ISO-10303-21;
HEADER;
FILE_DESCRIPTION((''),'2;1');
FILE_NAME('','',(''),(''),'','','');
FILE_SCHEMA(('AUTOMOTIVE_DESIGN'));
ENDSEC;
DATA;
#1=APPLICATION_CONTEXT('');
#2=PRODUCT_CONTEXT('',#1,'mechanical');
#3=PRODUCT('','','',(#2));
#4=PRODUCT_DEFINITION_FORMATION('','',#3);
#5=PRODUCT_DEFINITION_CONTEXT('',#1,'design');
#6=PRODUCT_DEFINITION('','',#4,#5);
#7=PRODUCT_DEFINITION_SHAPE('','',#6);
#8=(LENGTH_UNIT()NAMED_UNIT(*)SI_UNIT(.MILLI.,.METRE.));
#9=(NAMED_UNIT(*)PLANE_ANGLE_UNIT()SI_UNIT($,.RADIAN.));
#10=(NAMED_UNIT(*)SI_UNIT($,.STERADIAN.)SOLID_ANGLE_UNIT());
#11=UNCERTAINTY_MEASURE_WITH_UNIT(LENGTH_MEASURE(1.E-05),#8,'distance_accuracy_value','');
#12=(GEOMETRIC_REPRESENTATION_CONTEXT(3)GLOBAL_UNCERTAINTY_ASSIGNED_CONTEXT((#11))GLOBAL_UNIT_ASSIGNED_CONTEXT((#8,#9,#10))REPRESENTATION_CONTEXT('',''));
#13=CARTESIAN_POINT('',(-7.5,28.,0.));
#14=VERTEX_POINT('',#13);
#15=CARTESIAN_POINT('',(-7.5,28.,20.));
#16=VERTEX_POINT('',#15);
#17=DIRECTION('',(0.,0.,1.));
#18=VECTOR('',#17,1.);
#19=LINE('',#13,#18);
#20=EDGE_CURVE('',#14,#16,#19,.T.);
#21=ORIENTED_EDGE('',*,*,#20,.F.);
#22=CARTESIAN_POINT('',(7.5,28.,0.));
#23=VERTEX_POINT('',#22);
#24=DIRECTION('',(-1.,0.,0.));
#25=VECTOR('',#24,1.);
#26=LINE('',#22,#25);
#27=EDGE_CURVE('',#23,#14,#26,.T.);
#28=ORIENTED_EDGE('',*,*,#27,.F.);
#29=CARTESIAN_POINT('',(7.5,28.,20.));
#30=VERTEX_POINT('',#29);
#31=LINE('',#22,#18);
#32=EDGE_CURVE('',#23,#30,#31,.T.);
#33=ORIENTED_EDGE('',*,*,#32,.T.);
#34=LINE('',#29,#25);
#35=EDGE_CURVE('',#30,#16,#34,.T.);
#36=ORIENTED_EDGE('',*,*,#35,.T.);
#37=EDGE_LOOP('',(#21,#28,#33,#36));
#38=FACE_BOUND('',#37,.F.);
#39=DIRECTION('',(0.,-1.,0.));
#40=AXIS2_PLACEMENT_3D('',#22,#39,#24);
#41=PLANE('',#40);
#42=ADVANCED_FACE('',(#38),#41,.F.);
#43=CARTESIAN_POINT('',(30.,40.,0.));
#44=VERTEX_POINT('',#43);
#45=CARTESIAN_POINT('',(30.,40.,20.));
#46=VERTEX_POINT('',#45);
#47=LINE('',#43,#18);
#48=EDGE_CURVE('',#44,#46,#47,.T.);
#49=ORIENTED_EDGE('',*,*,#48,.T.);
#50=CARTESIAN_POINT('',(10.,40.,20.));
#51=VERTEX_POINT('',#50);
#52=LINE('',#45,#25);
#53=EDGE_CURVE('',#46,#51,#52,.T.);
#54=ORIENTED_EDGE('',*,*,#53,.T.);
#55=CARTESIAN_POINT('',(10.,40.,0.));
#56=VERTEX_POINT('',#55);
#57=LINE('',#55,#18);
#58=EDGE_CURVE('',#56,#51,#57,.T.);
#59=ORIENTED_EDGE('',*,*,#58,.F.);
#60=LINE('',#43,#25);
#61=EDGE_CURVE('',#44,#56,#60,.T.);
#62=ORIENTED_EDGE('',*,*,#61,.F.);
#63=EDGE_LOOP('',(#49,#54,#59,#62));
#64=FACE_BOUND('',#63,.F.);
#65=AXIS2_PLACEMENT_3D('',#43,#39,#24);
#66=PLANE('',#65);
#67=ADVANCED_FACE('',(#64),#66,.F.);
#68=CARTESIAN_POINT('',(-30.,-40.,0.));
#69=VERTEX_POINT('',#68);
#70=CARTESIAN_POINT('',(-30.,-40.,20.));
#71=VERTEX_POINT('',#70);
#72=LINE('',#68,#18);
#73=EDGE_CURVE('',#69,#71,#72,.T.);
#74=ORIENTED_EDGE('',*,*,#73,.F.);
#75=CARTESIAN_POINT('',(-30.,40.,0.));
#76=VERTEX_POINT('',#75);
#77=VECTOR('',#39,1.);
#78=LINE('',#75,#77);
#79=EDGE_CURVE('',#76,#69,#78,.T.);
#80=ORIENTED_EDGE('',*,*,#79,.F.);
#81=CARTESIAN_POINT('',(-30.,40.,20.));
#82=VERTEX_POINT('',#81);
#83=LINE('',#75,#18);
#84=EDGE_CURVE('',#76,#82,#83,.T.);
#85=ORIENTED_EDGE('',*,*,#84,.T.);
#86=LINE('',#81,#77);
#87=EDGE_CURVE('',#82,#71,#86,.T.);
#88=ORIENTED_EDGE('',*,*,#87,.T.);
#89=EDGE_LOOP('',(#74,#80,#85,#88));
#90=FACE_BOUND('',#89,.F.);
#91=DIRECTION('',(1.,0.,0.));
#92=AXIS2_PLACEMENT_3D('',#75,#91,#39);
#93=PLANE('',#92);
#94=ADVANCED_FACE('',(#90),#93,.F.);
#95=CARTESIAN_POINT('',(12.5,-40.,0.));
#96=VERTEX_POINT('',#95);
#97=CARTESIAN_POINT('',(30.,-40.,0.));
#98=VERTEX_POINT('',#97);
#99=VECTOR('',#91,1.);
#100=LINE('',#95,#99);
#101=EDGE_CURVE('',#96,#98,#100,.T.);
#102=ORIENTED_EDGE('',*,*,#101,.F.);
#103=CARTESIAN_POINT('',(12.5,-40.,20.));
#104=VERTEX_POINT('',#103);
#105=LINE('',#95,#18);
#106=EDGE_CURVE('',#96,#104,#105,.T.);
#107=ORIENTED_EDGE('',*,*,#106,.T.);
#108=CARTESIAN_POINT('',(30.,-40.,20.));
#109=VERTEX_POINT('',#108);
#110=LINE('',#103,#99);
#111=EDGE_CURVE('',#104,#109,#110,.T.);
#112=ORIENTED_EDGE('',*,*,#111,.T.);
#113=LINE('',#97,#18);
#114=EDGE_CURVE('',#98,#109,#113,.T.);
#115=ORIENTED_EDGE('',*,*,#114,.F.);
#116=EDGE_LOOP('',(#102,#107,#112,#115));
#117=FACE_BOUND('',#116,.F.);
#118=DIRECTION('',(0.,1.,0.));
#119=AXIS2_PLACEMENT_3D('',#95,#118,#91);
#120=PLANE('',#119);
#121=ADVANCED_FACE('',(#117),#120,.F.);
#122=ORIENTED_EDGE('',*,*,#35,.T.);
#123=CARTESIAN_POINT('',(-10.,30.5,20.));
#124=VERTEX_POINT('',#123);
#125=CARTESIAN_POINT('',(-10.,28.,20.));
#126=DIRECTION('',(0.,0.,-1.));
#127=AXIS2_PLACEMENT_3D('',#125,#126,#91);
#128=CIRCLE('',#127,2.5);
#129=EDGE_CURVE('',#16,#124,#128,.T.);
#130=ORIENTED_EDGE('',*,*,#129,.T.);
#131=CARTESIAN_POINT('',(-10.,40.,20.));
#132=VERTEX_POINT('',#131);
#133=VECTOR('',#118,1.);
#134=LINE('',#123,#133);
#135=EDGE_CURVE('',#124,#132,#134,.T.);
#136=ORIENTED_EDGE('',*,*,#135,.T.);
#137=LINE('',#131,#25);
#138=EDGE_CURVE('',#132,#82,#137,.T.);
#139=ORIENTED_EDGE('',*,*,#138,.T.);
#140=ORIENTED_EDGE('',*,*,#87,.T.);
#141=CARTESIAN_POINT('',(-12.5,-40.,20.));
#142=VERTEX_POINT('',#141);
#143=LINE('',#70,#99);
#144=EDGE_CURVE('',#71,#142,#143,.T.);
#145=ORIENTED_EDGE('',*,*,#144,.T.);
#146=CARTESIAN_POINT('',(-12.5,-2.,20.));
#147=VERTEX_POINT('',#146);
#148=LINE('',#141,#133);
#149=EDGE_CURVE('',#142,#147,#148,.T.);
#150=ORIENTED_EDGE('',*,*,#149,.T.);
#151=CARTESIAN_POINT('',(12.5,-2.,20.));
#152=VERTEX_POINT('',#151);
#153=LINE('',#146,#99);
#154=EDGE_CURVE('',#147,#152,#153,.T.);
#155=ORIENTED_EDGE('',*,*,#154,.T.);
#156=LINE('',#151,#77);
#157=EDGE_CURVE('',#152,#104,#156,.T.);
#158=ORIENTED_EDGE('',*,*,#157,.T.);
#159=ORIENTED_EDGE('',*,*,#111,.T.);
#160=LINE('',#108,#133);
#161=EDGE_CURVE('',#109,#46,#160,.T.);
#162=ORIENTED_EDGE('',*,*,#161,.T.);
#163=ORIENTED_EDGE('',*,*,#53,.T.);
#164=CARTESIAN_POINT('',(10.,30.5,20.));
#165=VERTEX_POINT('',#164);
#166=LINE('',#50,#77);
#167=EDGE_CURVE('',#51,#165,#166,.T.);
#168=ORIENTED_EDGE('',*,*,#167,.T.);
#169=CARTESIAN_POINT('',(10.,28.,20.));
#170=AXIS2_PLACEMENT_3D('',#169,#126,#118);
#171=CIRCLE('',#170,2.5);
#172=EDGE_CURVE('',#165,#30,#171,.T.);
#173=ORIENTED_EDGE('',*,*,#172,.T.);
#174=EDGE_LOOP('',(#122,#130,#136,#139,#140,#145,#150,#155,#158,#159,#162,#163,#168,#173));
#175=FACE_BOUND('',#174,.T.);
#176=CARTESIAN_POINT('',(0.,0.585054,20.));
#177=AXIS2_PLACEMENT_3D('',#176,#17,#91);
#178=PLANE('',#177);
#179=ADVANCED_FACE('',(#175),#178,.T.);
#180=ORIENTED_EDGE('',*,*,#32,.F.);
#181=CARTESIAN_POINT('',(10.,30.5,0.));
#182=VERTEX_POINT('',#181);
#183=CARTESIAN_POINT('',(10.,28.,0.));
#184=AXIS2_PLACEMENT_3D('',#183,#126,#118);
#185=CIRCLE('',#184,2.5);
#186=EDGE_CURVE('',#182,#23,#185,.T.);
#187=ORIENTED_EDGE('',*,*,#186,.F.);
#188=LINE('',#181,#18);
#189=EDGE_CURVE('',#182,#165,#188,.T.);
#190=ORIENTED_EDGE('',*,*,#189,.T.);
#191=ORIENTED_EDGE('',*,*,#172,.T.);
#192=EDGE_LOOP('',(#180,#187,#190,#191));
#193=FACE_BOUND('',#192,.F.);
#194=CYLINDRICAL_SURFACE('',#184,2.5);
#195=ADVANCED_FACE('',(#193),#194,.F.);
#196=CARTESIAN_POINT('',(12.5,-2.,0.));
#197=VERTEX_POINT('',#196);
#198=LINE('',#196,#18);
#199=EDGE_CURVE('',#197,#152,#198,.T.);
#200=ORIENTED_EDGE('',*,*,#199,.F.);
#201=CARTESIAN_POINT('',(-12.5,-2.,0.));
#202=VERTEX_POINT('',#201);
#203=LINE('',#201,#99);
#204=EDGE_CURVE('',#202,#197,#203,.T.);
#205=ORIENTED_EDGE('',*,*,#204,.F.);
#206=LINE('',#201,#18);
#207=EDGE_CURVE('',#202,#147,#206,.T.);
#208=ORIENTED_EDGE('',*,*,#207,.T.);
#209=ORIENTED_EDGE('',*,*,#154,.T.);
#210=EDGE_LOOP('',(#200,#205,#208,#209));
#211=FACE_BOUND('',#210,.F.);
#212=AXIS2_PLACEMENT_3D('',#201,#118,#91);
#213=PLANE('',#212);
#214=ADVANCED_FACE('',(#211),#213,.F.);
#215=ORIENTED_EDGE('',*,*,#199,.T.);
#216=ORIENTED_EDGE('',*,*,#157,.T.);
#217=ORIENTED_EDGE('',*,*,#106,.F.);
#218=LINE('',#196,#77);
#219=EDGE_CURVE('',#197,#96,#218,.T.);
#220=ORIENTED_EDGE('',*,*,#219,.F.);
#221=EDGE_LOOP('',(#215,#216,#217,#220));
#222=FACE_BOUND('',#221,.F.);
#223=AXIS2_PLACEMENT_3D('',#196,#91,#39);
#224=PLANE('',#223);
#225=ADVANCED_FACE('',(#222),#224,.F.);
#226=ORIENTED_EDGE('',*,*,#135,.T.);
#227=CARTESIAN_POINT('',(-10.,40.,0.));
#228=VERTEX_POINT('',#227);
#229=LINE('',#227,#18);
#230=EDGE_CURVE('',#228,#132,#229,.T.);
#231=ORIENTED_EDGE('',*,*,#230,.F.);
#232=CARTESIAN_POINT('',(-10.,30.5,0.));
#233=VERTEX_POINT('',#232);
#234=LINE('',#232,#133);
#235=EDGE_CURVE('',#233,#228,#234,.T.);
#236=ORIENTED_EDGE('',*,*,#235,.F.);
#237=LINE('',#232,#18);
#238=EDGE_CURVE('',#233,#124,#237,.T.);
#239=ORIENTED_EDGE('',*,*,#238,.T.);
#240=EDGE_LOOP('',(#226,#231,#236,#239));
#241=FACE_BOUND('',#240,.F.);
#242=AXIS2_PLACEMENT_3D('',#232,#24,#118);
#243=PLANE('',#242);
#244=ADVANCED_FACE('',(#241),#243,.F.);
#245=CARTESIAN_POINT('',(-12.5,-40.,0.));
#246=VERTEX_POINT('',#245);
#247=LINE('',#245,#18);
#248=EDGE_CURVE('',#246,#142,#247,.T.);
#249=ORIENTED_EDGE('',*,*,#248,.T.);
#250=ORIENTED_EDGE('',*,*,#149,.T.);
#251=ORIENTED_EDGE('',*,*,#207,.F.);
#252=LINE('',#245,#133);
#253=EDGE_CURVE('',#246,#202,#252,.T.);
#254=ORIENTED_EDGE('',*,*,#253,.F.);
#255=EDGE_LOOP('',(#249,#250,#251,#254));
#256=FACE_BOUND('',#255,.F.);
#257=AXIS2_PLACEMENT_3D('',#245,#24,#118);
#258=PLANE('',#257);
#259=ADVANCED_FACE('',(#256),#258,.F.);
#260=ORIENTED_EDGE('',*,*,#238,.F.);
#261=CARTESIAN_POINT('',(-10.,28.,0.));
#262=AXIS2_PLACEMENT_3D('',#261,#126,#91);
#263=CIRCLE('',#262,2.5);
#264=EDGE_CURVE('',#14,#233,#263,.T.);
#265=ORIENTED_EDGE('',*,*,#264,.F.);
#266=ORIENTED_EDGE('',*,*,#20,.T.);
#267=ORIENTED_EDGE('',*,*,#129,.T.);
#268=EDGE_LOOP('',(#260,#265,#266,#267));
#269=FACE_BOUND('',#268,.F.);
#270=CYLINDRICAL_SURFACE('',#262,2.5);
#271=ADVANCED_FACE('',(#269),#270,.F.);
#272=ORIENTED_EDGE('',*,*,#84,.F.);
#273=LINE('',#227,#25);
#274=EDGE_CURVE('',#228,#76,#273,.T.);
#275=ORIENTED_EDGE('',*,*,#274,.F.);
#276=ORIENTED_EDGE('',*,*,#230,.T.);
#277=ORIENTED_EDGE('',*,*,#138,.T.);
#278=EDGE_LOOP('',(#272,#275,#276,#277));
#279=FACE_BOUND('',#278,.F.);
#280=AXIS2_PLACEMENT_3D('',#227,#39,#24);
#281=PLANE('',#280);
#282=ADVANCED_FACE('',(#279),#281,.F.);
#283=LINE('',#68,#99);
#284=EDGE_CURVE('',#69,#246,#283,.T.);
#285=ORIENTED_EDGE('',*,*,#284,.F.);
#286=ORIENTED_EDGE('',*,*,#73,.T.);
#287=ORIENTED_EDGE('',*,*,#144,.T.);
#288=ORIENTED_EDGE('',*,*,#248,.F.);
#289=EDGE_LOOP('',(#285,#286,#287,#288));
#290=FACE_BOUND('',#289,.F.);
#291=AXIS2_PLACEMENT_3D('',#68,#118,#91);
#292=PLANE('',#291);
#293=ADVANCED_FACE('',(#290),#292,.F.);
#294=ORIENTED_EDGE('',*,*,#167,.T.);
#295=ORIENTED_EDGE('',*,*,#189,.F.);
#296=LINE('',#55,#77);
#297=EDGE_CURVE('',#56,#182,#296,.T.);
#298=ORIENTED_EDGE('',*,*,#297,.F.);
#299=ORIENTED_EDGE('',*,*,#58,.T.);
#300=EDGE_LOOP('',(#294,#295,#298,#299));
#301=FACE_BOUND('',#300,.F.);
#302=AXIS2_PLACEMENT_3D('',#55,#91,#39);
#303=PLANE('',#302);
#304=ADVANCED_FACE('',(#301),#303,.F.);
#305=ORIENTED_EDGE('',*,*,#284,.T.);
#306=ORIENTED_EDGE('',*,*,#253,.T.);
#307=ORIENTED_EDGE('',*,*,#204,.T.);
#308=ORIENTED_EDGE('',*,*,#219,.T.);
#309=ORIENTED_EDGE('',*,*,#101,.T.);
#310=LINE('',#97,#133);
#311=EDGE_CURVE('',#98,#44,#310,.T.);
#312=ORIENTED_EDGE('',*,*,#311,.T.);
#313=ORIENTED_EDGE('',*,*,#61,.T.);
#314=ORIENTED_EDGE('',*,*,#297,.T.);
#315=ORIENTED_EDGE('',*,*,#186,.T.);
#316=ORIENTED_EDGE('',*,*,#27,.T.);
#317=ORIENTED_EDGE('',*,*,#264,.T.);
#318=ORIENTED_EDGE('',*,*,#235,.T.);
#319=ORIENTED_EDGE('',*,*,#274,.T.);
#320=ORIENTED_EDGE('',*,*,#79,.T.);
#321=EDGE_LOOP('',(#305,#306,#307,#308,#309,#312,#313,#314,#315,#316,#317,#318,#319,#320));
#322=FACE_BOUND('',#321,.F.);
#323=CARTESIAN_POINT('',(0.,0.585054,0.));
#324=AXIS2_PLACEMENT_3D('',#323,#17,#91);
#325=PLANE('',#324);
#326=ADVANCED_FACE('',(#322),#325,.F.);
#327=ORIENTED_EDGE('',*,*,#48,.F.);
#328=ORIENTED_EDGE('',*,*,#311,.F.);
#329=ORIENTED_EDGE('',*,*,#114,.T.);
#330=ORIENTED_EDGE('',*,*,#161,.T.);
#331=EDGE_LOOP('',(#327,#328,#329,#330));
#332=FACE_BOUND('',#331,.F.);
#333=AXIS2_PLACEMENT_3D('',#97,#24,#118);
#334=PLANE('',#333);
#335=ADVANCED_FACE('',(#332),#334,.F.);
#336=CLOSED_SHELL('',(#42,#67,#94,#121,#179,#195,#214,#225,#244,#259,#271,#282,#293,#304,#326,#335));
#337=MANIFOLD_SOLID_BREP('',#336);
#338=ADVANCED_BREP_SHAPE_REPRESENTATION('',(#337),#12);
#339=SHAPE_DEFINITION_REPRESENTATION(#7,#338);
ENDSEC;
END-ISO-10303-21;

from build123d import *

# Parameters (mm, degrees)
F1_DEPTH = 20


with BuildPart() as f1:
    # F0 (on Top) → F1 (new body)
    with BuildSketch(Plane.XY):
        with BuildLine():
            Line((12.5, -40), (30, -40))
            Line((30, -40), (30, 40))
            Line((30, 40), (10, 40))
            Line((10, 40), (10, 30.5))
            ThreePointArc((10, 30.5), (11.767766953, 26.232233047), (7.5, 28))
            Line((7.5, 28), (-7.5, 28))
            ThreePointArc((-7.5, 28), (-11.767766953, 26.232233047), (-10, 30.5))
            Line((-10, 30.5), (-10, 40))
            Line((-10, 40), (-30, 40))
            Line((-30, 40), (-30, -40))
            Line((-30, -40), (-12.5, -40))
            Line((-12.5, -40), (-12.5, -2))
            Line((-12.5, -2), (12.5, -2))
            Line((12.5, -2), (12.5, -40))
        make_face()
    extrude(amount=F1_DEPTH)


solid = f1.part
